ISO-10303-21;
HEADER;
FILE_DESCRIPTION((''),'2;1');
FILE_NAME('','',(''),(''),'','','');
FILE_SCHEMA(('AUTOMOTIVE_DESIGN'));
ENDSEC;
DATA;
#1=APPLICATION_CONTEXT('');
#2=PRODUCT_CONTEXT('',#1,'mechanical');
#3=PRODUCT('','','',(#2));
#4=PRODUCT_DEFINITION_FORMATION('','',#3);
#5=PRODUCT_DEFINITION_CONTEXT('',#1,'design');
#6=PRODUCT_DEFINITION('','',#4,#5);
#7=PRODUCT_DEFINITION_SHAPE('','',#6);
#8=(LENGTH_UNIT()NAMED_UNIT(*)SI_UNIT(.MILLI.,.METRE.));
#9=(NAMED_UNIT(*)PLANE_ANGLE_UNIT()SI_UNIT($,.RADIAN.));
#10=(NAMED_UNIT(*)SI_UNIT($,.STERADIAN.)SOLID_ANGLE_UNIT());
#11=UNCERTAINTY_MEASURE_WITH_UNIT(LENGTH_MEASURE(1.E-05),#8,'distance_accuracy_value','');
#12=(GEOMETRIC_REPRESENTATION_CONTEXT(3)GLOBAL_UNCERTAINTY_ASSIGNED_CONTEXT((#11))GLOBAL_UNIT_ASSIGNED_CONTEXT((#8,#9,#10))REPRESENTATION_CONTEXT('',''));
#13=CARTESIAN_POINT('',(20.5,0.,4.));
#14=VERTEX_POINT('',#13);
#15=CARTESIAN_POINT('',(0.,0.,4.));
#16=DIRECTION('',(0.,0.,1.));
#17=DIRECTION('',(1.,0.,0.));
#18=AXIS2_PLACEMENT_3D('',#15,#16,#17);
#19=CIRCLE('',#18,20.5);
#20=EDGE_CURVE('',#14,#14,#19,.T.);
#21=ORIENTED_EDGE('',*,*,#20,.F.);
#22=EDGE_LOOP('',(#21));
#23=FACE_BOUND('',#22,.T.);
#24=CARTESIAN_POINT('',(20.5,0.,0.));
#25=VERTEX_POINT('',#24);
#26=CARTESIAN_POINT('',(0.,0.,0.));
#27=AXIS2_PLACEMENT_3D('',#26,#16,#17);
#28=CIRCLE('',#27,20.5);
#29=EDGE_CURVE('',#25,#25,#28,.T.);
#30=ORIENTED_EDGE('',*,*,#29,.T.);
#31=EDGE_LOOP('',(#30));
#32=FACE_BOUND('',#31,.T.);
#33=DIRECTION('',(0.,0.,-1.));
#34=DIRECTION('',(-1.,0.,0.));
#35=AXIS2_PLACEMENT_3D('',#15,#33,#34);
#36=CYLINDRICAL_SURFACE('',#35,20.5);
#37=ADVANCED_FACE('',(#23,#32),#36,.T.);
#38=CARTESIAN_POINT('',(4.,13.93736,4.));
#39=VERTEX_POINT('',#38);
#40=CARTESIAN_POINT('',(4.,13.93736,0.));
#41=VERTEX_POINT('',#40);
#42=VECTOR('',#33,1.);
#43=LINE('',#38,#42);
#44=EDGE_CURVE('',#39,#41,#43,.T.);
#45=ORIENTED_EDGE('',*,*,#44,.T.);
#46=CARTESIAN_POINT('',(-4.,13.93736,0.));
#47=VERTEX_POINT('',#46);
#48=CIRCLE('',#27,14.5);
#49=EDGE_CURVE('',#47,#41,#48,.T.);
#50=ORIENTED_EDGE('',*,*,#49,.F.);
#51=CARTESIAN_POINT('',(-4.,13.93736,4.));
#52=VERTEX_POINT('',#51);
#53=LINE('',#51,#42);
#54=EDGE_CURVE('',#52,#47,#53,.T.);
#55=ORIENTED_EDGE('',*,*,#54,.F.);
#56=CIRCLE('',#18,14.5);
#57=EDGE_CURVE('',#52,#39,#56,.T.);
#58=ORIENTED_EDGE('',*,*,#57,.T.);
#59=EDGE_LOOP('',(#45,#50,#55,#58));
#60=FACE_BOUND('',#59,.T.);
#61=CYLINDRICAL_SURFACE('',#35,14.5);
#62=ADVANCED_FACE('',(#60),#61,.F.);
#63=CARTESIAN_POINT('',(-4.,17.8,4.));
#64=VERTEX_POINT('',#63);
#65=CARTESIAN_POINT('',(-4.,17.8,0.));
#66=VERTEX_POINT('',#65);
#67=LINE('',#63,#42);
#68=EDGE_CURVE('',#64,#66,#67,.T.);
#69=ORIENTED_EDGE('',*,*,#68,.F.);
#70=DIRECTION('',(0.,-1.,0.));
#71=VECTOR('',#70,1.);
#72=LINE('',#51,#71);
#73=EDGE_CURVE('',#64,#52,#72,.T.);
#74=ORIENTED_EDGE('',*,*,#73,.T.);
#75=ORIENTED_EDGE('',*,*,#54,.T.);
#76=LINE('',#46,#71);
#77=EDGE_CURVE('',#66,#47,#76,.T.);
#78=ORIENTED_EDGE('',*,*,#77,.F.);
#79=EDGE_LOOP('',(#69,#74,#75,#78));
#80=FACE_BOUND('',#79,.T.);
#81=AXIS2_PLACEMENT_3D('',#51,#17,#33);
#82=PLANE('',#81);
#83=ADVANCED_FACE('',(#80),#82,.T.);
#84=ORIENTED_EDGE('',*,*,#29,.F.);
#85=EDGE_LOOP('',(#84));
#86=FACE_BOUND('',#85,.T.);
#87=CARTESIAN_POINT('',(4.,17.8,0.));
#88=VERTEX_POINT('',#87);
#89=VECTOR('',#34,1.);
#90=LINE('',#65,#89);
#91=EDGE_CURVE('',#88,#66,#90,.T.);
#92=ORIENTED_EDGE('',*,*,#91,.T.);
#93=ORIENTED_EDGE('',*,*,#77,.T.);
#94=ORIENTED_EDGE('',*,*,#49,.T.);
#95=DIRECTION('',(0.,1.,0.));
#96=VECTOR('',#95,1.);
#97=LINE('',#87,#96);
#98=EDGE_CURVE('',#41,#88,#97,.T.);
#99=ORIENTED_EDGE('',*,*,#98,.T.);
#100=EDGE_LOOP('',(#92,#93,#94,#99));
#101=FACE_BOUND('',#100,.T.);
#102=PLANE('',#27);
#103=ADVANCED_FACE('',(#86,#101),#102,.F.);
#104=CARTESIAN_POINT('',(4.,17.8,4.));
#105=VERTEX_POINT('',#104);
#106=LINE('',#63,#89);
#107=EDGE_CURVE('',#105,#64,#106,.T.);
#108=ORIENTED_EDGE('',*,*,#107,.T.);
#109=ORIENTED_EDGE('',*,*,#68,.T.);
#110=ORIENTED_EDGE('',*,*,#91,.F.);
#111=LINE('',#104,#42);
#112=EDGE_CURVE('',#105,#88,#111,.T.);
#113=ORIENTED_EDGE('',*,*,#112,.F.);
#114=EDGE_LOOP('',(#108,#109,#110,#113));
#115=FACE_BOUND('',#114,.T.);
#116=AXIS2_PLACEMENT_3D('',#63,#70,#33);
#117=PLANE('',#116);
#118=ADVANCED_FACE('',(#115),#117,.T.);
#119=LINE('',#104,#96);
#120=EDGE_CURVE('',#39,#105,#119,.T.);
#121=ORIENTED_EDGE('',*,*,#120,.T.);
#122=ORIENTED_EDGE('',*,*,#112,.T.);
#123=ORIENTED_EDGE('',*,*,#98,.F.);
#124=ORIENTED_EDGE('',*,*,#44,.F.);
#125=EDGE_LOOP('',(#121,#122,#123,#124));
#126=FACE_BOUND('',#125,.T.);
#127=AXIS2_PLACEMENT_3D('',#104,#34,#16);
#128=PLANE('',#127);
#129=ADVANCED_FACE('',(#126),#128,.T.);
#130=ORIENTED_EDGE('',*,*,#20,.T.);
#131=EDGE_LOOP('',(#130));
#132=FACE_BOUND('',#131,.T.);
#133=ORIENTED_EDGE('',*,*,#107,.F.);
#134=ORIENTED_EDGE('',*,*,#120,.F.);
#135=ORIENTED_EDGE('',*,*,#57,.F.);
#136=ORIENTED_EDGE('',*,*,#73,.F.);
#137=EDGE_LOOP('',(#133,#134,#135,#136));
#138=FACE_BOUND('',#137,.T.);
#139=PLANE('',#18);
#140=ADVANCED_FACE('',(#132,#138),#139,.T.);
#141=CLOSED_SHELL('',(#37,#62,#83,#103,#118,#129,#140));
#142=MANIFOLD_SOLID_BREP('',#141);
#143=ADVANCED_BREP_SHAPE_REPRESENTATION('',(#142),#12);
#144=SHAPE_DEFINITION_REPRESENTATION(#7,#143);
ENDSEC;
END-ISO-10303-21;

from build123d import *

# Parameters (mm, degrees)
SKETCH_1_R      = 20.5
EXTRUDE_1_DEPTH = 4


with BuildPart() as part:
    # 草图1 → 凸台-拉伸1 (new body)
    with BuildSketch(Plane.XY):
        Circle(SKETCH_1_R)
        with BuildLine():
            Line((-4, 13.937359865), (-4, 17.8))
            Line((-4, 17.8), (4, 17.8))
            Line((4, 17.8), (4, 13.937359865))
            ThreePointArc((4, 13.937359865), (0, -14.5), (-4, 13.937359865))
        make_face(mode=Mode.SUBTRACT)
    extrude(amount=EXTRUDE_1_DEPTH)


solid = part.part
